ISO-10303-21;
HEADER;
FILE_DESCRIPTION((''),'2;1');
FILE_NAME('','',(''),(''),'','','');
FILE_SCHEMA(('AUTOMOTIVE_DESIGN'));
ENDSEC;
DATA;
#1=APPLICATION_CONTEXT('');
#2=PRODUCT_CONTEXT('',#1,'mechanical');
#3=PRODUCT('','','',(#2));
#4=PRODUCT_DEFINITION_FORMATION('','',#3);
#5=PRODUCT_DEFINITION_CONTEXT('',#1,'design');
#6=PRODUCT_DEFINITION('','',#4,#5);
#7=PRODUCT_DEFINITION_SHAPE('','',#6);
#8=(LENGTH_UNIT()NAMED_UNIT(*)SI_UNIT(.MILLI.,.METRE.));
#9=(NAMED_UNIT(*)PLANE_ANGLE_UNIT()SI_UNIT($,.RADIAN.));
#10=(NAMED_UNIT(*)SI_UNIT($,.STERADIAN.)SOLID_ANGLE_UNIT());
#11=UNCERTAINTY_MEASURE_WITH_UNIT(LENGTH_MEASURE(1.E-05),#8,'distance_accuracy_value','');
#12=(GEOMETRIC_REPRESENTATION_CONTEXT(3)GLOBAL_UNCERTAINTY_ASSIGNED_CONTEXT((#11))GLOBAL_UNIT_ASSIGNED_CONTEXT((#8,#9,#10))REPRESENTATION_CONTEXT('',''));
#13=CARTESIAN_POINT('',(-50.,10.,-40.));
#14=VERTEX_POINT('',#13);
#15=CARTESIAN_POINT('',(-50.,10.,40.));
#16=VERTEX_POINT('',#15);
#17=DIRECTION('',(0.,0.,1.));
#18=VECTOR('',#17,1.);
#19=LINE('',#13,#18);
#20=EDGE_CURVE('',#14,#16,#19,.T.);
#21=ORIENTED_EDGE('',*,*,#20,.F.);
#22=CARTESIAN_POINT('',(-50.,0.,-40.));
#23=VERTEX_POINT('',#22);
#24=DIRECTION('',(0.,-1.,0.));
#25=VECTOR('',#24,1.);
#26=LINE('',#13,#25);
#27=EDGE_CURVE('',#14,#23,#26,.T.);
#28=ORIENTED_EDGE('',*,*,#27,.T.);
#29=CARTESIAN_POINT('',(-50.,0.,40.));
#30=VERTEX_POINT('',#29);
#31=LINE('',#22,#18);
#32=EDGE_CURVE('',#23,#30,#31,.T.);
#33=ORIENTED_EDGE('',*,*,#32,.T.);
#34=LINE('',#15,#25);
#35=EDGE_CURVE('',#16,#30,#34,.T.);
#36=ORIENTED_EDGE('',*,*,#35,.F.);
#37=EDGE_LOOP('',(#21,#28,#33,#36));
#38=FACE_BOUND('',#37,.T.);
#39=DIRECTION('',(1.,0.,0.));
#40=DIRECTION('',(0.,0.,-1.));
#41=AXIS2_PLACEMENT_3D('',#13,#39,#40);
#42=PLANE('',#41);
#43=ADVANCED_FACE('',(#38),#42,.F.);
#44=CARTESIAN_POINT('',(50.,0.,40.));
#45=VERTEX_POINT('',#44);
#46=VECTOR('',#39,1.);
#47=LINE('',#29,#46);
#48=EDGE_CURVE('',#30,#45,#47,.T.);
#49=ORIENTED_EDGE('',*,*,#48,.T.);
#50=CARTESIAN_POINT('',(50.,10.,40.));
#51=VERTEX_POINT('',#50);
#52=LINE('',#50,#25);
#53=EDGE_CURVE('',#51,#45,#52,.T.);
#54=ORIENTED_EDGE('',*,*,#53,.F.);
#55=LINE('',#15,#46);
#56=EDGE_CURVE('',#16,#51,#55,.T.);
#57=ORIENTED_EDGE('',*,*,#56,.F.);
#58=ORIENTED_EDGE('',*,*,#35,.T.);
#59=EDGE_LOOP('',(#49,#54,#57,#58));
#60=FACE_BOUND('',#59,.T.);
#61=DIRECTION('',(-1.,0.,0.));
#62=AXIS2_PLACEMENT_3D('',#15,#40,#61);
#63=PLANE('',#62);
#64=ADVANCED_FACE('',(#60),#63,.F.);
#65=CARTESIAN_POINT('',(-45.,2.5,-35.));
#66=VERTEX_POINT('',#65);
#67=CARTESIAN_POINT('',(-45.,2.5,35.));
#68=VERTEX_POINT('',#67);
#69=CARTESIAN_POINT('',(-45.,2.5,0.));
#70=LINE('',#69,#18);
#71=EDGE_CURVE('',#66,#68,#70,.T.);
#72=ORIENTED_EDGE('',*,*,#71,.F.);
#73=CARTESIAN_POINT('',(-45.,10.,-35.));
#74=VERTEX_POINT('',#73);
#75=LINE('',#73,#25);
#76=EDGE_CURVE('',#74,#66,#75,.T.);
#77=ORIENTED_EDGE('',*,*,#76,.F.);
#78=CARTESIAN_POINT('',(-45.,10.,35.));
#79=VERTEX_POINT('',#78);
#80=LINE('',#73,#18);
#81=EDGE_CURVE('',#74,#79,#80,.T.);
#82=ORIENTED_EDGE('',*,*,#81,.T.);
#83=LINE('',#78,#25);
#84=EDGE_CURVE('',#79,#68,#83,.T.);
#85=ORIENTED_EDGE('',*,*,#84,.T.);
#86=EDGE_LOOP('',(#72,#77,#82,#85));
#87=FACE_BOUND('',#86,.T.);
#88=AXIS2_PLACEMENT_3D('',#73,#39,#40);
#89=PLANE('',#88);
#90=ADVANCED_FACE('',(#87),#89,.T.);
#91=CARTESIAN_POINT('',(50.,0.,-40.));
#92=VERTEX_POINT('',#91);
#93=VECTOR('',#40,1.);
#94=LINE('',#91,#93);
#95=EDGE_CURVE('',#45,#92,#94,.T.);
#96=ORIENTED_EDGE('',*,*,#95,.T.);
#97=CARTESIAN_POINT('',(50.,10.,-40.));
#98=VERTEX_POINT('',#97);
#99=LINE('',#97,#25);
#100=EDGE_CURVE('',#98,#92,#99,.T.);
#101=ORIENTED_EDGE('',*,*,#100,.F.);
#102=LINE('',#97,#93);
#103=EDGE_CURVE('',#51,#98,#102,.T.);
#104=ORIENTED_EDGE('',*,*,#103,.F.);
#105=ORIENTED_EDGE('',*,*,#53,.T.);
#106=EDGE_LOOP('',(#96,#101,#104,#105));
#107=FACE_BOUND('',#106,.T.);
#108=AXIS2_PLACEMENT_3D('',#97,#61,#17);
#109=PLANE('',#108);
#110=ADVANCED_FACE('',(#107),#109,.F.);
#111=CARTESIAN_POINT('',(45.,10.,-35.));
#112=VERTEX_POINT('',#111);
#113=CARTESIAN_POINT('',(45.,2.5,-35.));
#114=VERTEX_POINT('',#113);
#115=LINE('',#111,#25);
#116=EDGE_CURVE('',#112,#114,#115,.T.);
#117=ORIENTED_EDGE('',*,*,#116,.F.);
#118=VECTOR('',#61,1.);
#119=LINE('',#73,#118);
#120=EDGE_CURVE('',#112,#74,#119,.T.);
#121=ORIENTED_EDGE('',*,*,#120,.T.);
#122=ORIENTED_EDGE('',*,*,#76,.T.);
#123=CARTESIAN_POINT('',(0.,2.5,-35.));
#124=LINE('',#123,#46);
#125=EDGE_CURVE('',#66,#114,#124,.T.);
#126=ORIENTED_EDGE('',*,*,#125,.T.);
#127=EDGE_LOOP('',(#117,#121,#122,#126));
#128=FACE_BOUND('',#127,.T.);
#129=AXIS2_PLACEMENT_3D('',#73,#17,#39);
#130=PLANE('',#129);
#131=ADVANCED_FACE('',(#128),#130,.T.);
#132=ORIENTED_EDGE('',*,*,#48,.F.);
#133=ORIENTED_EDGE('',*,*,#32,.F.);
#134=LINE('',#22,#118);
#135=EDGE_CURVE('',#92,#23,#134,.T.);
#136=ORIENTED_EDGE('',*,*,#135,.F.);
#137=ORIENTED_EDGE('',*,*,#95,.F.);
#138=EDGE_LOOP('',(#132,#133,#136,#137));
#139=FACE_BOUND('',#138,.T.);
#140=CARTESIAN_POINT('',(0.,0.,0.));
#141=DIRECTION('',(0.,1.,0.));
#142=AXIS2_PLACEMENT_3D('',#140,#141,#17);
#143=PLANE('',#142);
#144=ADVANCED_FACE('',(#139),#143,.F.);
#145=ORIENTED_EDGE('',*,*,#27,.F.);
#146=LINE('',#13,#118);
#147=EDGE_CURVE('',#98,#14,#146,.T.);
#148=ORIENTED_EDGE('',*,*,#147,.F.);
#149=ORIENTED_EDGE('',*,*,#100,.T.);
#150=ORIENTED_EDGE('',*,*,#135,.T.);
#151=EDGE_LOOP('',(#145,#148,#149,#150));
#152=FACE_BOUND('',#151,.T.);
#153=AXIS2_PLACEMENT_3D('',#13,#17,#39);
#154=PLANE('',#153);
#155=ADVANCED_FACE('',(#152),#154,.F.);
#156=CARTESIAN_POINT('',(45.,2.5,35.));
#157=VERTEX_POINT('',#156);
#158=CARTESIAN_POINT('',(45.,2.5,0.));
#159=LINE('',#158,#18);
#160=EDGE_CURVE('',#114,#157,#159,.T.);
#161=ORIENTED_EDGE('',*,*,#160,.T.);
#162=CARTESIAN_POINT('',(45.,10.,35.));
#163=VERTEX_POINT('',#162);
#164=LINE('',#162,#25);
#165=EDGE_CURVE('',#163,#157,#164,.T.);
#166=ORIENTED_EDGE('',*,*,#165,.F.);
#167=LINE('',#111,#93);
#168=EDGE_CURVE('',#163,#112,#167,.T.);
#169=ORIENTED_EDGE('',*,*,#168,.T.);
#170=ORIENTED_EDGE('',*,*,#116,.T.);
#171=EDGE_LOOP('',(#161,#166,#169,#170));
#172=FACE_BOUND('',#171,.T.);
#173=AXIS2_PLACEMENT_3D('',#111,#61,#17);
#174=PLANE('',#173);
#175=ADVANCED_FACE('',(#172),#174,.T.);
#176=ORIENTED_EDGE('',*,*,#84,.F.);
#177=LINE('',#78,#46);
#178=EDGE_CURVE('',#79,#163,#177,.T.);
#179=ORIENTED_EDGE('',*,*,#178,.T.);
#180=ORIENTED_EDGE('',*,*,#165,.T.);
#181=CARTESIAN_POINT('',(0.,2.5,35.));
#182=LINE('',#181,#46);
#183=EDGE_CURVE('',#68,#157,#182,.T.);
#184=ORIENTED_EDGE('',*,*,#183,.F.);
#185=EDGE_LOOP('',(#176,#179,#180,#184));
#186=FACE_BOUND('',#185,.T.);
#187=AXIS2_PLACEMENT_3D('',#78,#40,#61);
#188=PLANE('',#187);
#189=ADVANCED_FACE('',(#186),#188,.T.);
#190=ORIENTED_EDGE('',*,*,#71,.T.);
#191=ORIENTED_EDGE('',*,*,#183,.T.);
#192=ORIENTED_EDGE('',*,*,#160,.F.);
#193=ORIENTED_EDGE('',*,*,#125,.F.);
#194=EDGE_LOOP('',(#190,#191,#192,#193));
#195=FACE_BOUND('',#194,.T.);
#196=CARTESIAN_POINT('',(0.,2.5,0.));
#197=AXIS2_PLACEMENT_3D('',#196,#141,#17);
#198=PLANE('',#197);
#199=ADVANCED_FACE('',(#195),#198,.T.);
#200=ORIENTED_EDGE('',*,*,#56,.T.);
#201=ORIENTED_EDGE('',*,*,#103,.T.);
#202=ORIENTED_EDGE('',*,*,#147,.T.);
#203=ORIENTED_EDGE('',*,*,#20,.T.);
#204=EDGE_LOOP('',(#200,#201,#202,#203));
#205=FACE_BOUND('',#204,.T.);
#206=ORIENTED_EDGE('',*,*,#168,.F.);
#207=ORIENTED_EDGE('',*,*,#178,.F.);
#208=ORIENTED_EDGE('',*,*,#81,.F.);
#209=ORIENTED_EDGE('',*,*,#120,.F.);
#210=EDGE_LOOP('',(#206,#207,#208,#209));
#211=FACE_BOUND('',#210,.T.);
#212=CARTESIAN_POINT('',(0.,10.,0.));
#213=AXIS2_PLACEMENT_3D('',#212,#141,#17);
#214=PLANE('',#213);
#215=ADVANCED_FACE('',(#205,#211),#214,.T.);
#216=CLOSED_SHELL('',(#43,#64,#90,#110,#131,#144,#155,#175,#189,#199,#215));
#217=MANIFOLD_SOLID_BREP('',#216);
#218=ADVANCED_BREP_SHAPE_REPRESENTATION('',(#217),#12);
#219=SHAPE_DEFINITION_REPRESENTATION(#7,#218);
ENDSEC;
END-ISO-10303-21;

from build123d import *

# Parameters (mm, degrees)
SKETCH1_W           = 100
SKETCH1_H           = 80
SKETCH1_W_2         = 90
SKETCH1_H_2         = 70
BOSS_EXTRUDE1_DEPTH = 10
SKETCH1_2_W         = 90
SKETCH1_2_H         = 70
BOSS_EXTRUDE2_DEPTH = 2.5


with BuildPart() as part:
    # Sketch1 → Boss-Extrude1 (new body)
    with BuildSketch(Plane(origin=(0, 0, 0), x_dir=(1, 0, 0), z_dir=(0, 1, 0))):
        Rectangle(SKETCH1_W, SKETCH1_H)
        Rectangle(SKETCH1_W_2, SKETCH1_H_2, mode=Mode.SUBTRACT)
    extrude(amount=BOSS_EXTRUDE1_DEPTH)

    # Sketch1<2> → Boss-Extrude2 (add)
    with BuildSketch(Plane(origin=(0, 0, 0), x_dir=(1, 0, 0), z_dir=(0, 1, 0))):
        Rectangle(SKETCH1_2_W, SKETCH1_2_H)
    extrude(amount=BOSS_EXTRUDE2_DEPTH)


solid = part.part
